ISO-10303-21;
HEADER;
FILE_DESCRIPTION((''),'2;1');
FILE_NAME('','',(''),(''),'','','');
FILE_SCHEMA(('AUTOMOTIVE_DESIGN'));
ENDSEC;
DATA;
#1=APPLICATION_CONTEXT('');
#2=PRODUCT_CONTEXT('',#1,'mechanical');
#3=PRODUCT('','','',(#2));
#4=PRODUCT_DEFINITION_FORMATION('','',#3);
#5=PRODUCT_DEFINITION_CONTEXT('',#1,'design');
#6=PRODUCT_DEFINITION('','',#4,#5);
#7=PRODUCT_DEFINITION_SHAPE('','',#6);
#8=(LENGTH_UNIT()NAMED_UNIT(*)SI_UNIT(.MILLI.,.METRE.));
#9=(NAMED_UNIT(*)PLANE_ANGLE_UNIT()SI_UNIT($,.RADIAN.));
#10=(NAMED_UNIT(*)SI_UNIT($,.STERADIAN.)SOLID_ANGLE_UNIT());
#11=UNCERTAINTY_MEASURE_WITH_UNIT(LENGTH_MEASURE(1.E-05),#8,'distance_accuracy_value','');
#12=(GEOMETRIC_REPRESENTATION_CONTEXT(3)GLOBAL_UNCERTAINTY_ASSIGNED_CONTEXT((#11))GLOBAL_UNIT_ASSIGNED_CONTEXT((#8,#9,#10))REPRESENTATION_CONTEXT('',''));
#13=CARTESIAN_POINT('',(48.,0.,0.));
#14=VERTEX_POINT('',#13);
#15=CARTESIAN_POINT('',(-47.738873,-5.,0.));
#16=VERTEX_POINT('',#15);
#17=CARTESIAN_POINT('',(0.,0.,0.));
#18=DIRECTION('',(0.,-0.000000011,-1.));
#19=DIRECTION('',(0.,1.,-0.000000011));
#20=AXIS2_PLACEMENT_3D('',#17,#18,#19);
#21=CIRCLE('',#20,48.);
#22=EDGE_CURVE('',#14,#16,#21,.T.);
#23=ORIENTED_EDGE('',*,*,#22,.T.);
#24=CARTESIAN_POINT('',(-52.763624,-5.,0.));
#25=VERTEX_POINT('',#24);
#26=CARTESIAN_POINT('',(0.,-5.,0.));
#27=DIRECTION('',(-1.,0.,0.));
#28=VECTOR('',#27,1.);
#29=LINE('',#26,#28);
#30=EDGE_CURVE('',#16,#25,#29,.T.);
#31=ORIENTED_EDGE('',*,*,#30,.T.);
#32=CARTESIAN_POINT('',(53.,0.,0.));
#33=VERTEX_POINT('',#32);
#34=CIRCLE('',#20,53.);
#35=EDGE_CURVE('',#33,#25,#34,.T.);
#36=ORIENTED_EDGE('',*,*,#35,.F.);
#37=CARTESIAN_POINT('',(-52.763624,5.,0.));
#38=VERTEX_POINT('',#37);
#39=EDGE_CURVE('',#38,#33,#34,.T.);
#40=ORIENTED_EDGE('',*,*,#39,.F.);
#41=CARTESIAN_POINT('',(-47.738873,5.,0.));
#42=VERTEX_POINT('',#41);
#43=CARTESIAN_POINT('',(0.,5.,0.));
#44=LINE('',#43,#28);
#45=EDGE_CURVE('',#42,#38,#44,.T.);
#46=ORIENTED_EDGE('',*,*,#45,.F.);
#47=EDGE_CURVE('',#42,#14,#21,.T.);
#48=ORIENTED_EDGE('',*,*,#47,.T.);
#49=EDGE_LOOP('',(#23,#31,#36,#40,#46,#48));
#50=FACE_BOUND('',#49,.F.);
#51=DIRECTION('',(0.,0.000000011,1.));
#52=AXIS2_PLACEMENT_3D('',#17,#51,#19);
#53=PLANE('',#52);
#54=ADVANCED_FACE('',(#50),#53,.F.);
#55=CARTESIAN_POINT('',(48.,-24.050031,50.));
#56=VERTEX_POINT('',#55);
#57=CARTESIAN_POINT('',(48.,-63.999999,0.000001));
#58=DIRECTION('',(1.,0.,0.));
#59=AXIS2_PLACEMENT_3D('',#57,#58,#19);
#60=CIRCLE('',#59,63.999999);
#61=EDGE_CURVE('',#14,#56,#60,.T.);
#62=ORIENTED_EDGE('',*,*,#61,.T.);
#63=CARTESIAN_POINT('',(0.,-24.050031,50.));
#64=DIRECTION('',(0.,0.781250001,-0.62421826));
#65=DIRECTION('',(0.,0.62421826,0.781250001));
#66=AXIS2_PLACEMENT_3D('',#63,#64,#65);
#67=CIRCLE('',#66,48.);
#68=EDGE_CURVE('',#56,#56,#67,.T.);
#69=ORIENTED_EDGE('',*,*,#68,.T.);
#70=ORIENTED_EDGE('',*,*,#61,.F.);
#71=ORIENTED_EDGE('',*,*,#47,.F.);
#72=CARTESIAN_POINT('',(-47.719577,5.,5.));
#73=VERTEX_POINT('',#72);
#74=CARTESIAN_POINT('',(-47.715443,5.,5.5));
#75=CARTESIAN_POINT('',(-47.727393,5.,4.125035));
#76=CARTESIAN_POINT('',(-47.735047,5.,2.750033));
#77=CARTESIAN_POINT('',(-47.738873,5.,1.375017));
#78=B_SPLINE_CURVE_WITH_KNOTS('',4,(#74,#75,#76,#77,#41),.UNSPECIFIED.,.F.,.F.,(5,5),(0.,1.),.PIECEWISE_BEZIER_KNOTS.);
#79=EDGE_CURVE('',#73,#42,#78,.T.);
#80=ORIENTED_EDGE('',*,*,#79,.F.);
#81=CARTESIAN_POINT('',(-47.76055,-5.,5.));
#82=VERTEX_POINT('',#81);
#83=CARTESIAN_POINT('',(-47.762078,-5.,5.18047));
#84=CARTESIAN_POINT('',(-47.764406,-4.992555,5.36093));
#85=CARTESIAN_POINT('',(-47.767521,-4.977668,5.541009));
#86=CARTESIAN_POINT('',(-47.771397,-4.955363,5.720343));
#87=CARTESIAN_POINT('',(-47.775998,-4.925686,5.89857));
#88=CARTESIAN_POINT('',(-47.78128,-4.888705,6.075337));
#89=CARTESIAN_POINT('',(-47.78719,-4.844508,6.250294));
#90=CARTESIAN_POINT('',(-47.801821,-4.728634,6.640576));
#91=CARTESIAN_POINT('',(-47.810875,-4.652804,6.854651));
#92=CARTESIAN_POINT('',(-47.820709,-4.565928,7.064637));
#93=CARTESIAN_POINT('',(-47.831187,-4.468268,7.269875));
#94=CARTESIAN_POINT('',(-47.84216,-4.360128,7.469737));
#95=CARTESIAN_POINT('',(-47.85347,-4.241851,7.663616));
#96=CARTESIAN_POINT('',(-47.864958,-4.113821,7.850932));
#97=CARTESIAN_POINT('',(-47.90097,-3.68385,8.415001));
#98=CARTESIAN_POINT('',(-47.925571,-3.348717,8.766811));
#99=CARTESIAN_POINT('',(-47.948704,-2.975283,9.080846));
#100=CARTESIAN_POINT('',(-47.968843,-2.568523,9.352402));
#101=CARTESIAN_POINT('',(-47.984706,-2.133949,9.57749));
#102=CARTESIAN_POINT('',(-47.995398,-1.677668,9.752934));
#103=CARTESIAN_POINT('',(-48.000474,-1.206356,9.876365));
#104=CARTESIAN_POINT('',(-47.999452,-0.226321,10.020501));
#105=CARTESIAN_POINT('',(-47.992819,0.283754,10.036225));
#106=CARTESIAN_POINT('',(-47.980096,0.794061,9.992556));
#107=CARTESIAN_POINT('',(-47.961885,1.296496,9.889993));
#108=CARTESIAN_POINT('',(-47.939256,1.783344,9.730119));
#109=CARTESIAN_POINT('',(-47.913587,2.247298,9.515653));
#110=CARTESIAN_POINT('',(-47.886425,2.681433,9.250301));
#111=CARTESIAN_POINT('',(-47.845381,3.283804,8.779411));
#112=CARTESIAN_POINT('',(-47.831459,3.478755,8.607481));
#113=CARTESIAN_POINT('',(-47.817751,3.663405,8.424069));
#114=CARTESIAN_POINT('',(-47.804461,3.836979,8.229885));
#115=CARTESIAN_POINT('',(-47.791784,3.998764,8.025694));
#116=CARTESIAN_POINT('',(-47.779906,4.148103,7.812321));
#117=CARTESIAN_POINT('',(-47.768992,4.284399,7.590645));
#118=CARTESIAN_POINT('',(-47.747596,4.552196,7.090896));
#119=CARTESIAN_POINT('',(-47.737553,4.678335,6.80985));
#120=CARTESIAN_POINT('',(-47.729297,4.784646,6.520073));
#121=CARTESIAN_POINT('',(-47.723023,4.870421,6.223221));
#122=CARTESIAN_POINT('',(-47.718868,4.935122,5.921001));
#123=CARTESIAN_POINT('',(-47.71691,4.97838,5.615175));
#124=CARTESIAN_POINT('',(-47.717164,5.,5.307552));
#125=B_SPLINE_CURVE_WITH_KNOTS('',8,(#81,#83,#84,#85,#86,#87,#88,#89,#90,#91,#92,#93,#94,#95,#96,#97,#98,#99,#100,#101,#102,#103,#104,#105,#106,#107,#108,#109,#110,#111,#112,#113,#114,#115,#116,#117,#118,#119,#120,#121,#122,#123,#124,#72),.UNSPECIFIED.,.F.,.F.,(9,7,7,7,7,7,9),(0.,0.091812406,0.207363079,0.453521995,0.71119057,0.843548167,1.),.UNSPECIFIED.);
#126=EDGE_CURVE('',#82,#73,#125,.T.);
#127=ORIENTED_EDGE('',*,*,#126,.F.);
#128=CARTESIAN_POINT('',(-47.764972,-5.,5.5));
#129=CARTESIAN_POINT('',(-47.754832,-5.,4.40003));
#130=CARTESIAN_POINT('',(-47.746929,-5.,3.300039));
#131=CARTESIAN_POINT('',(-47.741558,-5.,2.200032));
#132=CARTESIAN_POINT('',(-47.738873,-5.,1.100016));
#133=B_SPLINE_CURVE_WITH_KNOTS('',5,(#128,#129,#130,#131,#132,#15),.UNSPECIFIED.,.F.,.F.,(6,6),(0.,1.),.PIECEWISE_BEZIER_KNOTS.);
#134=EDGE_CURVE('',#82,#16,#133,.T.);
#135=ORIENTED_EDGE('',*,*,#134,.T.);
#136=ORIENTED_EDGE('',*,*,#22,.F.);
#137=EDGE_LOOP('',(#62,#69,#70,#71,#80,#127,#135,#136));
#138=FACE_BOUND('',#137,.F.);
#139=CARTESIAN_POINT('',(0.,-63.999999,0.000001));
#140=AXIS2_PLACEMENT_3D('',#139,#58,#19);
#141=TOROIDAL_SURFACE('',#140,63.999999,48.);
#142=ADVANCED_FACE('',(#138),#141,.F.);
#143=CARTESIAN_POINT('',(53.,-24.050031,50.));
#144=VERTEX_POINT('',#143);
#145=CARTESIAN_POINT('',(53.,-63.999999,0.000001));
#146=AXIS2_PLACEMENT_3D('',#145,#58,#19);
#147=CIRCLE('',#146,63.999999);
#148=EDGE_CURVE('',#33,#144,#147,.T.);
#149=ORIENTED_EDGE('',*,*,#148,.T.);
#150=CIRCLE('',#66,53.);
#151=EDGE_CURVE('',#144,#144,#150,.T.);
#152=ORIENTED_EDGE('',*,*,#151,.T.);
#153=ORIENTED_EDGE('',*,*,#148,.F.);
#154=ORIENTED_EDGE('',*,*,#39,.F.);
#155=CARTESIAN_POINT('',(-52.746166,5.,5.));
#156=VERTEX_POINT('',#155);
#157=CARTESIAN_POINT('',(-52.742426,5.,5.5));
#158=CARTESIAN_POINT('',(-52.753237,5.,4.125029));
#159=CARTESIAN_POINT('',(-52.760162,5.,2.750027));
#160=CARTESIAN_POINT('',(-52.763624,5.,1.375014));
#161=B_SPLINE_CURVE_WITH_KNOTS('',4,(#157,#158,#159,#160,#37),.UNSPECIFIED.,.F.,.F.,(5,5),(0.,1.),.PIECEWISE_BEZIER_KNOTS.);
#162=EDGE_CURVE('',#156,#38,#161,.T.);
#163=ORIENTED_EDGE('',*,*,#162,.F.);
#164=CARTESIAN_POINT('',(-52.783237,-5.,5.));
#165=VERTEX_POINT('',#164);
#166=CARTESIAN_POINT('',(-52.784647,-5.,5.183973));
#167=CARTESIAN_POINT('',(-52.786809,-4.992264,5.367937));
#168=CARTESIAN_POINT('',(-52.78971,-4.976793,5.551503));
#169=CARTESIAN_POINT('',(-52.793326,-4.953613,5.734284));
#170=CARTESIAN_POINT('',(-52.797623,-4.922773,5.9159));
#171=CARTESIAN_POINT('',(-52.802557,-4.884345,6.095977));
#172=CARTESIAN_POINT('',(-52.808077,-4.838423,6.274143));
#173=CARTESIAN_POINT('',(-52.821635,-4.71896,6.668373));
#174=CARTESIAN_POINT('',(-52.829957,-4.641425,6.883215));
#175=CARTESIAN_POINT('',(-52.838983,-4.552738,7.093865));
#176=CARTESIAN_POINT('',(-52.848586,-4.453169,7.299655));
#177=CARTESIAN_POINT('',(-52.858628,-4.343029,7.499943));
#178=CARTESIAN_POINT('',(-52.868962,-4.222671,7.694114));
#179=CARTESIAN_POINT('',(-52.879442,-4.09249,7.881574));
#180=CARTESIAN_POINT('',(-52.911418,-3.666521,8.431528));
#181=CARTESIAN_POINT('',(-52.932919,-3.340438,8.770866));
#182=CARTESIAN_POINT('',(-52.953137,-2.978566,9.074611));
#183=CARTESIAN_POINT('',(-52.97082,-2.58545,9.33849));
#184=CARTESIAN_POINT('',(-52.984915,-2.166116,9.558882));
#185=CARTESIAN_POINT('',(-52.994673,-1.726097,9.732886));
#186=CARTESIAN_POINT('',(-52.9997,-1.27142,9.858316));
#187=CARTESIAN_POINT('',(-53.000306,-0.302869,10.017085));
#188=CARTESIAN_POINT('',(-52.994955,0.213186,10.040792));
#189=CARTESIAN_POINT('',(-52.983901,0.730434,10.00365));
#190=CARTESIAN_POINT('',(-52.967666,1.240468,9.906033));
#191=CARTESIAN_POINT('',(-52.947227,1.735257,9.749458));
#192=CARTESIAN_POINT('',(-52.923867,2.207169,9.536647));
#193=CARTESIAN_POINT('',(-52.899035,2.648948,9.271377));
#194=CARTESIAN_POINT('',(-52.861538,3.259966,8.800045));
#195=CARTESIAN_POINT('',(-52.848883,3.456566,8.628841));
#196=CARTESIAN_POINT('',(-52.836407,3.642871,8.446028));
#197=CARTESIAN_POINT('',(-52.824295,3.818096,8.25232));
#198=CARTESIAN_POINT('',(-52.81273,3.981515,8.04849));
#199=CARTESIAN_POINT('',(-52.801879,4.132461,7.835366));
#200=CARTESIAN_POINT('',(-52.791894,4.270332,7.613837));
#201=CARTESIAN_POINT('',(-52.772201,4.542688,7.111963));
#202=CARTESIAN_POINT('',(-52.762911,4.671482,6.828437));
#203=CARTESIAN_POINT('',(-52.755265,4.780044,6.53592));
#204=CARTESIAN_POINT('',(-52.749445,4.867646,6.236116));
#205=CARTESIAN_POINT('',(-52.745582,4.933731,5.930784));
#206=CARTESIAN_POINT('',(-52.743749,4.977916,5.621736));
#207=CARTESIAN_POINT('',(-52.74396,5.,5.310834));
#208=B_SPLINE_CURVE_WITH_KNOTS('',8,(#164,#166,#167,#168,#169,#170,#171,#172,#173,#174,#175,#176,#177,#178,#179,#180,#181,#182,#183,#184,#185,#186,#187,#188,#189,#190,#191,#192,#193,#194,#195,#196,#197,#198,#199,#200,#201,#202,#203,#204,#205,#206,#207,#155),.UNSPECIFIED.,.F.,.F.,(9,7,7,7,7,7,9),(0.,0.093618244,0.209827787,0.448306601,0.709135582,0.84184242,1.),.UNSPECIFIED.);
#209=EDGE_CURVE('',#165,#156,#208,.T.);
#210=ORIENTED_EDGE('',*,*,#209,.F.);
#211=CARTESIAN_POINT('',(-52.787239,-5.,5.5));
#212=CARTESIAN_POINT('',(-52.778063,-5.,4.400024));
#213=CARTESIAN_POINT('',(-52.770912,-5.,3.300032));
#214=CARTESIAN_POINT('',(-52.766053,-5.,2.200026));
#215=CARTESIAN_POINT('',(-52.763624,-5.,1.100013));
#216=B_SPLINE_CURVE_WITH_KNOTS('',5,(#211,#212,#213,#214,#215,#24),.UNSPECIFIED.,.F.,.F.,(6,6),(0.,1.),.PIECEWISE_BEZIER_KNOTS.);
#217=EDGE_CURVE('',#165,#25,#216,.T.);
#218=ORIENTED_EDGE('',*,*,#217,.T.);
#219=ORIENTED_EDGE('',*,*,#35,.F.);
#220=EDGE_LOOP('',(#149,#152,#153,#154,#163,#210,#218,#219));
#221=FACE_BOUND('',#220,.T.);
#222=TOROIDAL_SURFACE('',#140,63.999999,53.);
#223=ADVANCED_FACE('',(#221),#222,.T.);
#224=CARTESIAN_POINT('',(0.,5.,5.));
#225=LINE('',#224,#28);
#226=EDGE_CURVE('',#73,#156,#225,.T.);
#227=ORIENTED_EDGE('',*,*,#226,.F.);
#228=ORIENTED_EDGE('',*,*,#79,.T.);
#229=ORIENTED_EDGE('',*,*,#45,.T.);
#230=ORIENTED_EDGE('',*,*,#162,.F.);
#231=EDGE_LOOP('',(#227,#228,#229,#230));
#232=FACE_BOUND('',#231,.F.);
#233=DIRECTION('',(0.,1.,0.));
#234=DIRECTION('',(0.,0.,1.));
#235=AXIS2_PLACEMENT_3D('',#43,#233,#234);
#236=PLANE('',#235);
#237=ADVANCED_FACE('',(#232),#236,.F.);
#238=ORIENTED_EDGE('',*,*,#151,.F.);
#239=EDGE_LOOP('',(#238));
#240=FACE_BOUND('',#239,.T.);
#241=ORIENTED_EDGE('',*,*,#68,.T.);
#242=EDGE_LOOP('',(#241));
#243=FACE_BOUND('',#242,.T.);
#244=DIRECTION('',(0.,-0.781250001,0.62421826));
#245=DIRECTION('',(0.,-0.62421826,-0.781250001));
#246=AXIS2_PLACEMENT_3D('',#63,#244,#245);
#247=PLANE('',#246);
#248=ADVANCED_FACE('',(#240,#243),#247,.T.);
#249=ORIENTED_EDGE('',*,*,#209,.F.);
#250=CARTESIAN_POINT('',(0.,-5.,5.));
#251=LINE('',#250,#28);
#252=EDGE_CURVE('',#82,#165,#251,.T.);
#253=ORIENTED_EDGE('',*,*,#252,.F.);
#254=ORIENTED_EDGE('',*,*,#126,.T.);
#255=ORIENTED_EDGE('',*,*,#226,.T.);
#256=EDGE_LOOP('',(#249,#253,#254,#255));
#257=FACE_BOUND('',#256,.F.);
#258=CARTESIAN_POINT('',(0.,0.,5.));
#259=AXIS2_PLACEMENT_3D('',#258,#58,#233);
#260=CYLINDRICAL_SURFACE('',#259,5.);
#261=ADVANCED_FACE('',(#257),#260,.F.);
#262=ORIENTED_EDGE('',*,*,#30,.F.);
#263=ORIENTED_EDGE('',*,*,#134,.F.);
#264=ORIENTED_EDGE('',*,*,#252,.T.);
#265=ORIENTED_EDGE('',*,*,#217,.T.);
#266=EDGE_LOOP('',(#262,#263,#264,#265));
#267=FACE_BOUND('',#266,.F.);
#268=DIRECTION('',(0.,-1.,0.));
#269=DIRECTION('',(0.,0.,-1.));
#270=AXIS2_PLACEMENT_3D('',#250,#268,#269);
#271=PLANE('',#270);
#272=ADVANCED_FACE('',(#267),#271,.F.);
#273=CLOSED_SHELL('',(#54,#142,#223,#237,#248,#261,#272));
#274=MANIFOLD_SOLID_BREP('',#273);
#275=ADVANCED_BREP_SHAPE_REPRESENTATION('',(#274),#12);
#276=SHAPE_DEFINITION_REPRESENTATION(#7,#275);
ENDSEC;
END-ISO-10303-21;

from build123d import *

# Parameters (mm, degrees)
F0_R     = 53
F0_R_2   = 48
F4_DEPTH = 53.001


with BuildPart() as f2:
    # F2: sweep along a path in F1
    with BuildLine(Plane.YZ) as f2_path:
        ThreePointArc((0, 0), (-6.325057, 27.741683), (-24.050031, 50))
    # F0 (on Top) → F2 (sweep)
    with BuildSketch(Plane.XY):
        Circle(F0_R)
        Circle(F0_R_2, mode=Mode.SUBTRACT)
    sweep(path=f2_path.line)

    # F3 (on Right) → F4 (cut, through all)
    with BuildSketch(Plane.YZ):
        with BuildLine():
            Line((-5, 5), (-5, 0))
            ThreePointArc((-5, 0), (0, -5), (5, 0))
            Line((5, 0), (5, 5))
            ThreePointArc((5, 5), (0, 10), (-5, 5))
        make_face()
    extrude(amount=-F4_DEPTH, mode=Mode.SUBTRACT)


solid = f2.part
